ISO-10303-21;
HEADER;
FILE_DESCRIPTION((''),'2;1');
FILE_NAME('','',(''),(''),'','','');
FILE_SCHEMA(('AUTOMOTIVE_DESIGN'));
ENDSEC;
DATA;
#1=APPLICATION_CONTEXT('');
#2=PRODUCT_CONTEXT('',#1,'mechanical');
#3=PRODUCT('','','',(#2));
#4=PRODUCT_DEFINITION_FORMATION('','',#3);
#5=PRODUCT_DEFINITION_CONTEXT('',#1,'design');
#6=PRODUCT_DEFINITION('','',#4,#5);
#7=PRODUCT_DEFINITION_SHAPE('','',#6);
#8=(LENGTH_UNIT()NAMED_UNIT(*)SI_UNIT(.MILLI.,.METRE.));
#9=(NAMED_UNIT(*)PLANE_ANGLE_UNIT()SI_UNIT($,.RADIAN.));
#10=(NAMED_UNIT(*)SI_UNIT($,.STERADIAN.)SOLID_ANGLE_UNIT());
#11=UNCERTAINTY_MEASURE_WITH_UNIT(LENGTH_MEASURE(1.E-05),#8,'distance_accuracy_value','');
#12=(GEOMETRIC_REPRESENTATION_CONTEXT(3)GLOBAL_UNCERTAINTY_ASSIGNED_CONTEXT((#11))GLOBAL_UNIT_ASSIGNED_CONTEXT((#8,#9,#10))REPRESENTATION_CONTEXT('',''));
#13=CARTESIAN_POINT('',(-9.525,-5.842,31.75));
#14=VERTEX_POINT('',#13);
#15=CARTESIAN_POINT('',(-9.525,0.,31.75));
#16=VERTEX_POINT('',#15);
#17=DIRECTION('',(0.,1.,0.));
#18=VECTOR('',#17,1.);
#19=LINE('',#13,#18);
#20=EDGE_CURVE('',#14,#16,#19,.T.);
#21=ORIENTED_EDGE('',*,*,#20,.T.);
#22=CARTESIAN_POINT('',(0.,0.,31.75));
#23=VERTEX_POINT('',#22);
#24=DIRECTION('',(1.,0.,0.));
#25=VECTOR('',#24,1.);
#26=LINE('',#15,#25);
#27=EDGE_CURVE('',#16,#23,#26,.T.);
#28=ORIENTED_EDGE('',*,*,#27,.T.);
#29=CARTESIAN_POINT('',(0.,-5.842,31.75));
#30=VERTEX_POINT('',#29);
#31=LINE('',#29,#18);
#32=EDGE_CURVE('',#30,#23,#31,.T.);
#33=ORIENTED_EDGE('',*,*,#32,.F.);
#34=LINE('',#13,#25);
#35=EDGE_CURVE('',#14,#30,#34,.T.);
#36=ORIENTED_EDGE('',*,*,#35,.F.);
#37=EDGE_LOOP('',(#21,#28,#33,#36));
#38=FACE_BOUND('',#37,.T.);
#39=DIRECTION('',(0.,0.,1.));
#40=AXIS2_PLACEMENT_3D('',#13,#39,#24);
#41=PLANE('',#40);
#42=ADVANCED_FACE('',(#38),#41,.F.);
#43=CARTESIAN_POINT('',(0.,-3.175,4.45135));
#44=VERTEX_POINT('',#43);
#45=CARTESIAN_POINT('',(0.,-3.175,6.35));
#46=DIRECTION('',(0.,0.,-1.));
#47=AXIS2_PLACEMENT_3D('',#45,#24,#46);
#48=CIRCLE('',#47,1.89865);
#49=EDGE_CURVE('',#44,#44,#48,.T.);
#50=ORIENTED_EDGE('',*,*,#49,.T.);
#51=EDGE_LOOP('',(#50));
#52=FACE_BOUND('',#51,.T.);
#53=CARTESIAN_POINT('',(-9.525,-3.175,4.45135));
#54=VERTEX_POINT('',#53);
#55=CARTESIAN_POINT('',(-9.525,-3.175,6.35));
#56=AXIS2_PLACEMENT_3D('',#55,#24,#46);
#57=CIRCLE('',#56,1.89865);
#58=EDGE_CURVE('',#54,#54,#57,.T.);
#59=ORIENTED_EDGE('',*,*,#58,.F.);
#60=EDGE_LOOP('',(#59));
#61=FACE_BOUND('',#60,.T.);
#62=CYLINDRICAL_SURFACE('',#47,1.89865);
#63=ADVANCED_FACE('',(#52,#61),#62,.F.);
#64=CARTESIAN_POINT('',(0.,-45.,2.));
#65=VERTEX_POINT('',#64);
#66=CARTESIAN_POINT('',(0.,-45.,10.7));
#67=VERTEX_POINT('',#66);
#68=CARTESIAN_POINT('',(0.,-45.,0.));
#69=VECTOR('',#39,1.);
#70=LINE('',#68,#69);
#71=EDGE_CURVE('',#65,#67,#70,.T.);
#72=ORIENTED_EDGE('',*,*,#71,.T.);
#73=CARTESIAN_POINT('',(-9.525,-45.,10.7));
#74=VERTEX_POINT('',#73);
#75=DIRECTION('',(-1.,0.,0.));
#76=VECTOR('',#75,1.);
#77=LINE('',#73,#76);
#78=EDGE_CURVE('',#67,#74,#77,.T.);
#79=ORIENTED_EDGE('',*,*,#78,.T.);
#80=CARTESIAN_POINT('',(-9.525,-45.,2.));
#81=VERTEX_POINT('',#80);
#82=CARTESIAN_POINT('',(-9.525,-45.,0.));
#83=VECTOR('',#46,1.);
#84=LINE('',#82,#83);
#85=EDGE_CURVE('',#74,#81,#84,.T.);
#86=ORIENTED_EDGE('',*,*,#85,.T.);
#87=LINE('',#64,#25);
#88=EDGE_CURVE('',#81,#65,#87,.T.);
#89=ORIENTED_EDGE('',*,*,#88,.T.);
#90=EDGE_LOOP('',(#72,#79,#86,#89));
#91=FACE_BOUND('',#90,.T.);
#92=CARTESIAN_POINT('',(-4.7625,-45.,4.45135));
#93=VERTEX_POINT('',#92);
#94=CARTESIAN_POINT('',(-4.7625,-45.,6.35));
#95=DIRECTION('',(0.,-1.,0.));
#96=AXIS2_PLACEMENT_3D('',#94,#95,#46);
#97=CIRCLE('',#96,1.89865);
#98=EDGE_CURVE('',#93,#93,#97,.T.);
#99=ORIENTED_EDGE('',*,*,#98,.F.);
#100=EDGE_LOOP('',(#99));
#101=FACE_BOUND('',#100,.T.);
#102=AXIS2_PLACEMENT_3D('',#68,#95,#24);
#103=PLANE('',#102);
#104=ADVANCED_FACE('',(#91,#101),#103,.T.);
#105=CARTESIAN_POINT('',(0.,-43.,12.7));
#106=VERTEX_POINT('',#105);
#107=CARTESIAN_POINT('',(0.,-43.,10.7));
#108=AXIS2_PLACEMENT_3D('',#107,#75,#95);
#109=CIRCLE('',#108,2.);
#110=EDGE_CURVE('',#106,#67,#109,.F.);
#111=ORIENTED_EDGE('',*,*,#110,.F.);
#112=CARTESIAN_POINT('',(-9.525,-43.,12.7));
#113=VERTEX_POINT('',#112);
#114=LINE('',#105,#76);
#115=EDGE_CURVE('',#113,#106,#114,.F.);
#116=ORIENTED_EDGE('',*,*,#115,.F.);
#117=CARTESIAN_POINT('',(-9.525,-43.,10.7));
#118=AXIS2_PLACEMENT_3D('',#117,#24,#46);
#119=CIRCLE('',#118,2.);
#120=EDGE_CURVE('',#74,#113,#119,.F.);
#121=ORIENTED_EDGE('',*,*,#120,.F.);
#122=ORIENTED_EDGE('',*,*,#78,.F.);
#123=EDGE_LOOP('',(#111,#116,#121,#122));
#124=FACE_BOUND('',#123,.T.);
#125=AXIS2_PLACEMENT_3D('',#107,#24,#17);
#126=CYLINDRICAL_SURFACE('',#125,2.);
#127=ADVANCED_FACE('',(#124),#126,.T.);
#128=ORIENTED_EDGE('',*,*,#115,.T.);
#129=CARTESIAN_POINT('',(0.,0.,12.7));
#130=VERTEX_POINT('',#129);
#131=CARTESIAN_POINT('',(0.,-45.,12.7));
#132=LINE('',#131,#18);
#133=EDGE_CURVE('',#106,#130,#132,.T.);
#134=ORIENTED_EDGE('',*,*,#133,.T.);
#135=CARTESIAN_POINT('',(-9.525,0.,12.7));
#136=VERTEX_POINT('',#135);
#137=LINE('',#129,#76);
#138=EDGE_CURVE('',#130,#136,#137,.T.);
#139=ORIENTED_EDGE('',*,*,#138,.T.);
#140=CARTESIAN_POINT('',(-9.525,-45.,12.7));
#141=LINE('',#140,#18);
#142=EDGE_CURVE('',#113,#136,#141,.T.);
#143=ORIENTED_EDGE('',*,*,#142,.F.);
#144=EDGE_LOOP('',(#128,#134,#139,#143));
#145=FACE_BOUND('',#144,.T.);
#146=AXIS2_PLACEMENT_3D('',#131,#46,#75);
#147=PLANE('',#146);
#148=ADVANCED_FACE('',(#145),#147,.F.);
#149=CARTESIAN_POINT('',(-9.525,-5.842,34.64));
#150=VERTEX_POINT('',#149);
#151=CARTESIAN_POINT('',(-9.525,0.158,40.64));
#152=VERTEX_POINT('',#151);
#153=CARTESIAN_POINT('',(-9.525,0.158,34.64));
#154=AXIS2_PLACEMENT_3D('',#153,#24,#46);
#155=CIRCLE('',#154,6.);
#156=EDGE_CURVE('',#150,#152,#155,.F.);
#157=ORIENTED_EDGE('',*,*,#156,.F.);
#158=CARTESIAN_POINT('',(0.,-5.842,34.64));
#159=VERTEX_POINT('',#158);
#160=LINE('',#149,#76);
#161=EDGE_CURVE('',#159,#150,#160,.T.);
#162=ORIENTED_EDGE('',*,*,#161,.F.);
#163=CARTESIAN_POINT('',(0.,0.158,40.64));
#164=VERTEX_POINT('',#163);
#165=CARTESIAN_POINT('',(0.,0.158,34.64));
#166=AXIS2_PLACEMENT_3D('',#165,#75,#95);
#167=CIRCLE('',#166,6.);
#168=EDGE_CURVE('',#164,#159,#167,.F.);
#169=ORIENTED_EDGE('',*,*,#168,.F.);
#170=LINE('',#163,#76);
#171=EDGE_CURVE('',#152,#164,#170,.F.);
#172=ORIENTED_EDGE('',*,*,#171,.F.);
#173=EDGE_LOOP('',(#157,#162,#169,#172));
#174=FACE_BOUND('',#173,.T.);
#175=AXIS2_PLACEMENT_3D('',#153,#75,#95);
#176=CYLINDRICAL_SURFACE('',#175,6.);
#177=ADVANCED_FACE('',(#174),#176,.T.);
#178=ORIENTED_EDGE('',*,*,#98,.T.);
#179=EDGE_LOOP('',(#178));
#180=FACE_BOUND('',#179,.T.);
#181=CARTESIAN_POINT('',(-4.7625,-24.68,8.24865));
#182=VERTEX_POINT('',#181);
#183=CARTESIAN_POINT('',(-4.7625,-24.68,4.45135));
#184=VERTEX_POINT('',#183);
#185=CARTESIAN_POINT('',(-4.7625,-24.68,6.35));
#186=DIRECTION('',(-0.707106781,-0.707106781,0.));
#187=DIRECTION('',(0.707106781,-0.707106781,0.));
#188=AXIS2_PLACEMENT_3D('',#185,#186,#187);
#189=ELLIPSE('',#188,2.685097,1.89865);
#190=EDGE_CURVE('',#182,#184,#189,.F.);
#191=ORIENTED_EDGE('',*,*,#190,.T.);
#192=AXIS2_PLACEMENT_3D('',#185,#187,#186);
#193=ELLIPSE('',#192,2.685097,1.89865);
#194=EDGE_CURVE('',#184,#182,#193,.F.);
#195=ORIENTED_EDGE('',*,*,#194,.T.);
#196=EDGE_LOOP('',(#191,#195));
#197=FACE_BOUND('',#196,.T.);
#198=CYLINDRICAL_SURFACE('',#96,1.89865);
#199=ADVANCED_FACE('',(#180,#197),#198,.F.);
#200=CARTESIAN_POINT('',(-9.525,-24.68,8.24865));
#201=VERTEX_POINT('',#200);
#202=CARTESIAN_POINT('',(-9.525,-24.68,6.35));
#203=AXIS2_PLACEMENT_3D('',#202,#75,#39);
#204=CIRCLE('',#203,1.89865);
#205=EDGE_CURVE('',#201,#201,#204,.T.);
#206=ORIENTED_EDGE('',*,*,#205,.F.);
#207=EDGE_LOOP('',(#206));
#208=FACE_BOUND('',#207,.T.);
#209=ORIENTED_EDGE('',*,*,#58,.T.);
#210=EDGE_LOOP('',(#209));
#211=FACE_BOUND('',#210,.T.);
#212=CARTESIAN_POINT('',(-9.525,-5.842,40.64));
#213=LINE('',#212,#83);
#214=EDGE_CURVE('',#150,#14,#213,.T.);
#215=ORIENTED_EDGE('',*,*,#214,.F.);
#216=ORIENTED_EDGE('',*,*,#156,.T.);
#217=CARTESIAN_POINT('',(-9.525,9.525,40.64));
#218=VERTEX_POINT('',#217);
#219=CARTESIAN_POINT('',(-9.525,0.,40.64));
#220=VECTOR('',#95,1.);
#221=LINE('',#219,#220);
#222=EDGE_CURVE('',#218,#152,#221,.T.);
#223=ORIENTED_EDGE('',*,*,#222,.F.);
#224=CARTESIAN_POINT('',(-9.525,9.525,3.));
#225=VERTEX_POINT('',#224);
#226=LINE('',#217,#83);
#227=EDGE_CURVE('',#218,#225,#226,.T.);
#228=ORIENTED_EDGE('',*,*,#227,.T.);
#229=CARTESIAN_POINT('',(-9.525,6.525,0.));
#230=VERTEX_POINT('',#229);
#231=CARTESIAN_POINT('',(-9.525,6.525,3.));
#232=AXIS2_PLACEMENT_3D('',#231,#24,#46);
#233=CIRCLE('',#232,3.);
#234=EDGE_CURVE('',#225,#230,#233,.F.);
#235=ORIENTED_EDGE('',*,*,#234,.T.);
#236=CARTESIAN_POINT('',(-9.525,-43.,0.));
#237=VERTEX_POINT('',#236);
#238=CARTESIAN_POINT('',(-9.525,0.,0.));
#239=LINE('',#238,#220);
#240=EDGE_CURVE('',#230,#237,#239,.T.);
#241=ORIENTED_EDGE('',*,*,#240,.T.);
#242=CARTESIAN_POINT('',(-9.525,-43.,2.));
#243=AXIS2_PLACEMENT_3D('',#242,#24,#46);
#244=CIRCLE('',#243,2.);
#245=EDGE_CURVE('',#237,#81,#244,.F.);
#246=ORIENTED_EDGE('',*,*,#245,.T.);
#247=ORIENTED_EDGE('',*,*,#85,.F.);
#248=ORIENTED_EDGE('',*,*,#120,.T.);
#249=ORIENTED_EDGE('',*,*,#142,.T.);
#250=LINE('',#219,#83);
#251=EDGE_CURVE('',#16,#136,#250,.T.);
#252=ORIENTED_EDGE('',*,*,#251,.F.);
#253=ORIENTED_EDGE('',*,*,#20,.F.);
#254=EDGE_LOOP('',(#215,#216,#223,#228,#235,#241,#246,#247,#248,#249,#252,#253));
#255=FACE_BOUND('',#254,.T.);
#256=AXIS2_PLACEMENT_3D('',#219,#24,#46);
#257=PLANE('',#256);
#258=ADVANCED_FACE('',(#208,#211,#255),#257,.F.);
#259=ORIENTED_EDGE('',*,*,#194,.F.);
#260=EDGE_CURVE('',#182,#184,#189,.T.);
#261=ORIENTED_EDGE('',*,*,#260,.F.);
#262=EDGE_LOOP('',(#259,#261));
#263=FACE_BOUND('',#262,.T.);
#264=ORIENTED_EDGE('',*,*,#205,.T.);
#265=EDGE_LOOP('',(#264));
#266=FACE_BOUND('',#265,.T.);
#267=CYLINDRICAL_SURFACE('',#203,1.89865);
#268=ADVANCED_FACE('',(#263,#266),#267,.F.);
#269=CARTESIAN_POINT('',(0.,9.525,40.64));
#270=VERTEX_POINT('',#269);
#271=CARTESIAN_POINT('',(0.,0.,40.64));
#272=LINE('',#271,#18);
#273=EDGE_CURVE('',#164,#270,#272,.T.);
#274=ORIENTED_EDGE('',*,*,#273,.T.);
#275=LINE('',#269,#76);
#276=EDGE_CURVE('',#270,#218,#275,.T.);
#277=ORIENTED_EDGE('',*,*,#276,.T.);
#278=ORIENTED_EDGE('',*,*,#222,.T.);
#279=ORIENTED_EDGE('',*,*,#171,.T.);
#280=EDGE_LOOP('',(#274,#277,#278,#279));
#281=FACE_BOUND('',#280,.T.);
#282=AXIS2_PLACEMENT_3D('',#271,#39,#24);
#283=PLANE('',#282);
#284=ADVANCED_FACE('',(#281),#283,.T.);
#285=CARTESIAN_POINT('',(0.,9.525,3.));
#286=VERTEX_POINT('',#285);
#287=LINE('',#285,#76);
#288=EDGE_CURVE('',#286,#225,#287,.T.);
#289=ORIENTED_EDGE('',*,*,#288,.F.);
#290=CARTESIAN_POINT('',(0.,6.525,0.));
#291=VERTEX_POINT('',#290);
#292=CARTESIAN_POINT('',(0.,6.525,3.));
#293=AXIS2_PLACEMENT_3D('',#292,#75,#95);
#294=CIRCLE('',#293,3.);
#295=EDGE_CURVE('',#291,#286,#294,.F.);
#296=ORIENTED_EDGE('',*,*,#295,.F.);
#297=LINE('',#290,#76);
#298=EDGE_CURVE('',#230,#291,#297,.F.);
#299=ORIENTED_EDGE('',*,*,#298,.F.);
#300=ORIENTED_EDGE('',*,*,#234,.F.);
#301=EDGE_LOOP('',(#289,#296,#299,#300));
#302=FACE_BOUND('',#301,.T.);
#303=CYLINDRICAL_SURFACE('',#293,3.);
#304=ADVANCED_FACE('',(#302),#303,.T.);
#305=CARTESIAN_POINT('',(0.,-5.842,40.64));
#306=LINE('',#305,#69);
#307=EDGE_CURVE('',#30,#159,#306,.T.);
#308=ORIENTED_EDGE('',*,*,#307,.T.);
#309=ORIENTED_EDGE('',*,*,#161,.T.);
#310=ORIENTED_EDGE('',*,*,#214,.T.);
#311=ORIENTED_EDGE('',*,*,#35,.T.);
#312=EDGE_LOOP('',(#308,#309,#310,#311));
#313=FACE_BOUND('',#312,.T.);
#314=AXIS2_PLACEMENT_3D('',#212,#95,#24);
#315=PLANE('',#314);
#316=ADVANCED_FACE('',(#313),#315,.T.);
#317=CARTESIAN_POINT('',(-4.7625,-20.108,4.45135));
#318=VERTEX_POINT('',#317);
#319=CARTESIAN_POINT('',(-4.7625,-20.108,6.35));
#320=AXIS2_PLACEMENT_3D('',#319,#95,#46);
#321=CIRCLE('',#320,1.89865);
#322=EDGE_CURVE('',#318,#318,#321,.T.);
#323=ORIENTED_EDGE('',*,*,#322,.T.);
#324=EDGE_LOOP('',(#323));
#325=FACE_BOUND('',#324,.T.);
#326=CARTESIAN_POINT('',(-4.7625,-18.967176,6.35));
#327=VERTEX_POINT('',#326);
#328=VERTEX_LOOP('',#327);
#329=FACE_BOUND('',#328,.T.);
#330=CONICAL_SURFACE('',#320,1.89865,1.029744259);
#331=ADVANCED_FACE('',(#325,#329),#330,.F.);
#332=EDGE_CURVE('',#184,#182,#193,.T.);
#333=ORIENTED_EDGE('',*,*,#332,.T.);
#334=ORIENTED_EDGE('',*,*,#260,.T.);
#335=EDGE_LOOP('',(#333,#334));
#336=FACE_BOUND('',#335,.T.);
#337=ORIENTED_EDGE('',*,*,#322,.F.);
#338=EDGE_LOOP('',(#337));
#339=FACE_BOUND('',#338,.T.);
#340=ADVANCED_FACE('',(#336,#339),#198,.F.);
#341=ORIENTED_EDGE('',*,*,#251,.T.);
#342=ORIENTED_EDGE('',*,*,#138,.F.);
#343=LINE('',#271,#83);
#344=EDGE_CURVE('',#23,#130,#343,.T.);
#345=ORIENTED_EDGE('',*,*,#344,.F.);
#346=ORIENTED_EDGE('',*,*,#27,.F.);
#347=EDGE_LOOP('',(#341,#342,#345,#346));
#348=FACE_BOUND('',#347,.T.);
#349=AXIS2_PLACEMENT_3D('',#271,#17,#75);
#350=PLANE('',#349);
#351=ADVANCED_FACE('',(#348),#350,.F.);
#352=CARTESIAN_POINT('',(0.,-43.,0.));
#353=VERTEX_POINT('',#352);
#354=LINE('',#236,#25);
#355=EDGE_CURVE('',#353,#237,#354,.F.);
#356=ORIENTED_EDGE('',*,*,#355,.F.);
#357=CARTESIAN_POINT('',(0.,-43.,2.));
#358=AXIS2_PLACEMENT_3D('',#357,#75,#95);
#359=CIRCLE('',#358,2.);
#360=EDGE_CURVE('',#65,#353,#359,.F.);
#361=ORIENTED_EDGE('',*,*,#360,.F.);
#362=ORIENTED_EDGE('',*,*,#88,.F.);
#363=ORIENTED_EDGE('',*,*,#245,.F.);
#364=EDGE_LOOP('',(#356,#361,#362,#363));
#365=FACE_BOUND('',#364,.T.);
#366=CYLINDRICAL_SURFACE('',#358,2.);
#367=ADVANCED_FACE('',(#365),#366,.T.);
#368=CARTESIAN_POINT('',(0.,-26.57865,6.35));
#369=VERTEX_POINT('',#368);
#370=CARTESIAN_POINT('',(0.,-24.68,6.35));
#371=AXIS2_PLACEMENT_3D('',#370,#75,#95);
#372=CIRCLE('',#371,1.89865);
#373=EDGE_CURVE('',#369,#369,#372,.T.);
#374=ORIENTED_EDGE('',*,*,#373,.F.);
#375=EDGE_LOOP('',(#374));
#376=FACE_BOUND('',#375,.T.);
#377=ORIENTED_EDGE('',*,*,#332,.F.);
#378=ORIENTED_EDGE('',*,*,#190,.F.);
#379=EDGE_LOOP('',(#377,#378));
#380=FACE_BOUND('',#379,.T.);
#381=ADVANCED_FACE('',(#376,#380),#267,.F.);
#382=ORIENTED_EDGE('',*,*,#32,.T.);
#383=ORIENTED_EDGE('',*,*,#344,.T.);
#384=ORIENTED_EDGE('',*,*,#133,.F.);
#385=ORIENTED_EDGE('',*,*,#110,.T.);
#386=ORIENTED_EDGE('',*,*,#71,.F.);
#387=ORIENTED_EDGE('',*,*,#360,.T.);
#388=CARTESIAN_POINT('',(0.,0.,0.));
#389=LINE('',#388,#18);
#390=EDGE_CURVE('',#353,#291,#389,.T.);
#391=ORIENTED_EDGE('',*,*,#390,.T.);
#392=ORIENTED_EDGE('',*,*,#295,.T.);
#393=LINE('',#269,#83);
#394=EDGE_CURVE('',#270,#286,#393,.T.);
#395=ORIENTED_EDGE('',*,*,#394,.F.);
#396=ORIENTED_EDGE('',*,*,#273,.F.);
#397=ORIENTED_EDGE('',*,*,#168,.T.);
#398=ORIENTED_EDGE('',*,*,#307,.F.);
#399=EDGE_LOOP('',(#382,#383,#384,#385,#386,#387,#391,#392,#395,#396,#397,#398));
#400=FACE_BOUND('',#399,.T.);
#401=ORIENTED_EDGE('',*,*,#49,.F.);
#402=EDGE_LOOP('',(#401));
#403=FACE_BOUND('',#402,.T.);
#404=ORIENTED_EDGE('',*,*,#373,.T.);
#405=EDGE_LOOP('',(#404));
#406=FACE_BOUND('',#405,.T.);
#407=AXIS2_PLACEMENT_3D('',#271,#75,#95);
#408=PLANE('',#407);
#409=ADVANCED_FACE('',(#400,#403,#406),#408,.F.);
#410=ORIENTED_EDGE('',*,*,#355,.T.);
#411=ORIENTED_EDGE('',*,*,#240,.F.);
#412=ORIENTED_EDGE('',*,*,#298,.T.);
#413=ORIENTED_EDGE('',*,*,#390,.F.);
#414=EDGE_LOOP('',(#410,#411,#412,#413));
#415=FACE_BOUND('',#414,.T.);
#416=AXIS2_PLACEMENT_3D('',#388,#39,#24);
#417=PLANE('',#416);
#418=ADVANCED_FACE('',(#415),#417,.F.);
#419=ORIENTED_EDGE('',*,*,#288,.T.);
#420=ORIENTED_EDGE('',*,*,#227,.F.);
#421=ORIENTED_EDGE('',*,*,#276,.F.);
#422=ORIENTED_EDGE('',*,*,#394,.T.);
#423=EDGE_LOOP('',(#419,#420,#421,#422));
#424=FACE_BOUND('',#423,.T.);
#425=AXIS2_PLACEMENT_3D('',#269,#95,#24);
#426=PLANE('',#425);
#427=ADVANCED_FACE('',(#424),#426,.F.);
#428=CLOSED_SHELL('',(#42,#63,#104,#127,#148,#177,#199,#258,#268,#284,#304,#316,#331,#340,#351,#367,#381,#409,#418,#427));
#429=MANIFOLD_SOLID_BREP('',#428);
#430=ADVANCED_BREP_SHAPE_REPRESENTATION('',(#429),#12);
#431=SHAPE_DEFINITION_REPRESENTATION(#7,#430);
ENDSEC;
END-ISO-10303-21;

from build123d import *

# Parameters (mm, degrees)
SKETCH1_W                 = 9.525
SKETCH1_H                 = 9.525
EXTRUDE1_DEPTH            = 40.64
SKETCH3_W                 = 9.525
SKETCH3_H                 = 8.89
EXTRUDE2_DEPTH            = 5.842
FILLET1_R                 = 6
SKETCH4_W                 = 9.525
SKETCH4_H                 = 12.7
EXTRUDE3_DEPTH            = 45
FILLET2_R                 = 3
F_6_CLEARANCE_HOLE1_D     = 3.7973
F_6_CLEARANCE_HOLE1_DEPTH = 9.906
F_6_CLEARANCE_HOLE1_TIP   = 1.140824014
F_6_CLEARANCE_HOLE3_D     = 3.7973
F_6_CLEARANCE_HOLE3_DEPTH = 24.892
F_6_CLEARANCE_HOLE3_TIP   = 1.140824014
F_6_CLEARANCE_HOLE4_D     = 3.7973
F_6_CLEARANCE_HOLE4_DEPTH = 29.972
F_6_CLEARANCE_HOLE4_TIP   = 1.140824014
FILLET3_R                 = 2


with BuildPart() as part:
    # Sketch1 → Extrude1 (new body)
    with BuildSketch(Plane.XY):
        with Locations((-4.7625, 4.7625)):
            Rectangle(SKETCH1_W, SKETCH1_H)
    extrude(amount=EXTRUDE1_DEPTH)

    # Sketch3 → Extrude2 (add)
    with BuildSketch(Plane.XZ):
        with Locations((-4.7625, 36.195)):
            Rectangle(SKETCH3_W, SKETCH3_H)
    extrude(amount=EXTRUDE2_DEPTH)

    # Fillet1
    fillet1_edges = [part.edges().sort_by_distance(p)[0] for p in [
        (-4.7625, -5.842, 40.64),
    ]]
    fillet(fillet1_edges, radius=FILLET1_R)

    # Sketch4 → Extrude3 (add)
    with BuildSketch(Plane.XZ):
        with Locations((-4.7625, 6.35)):
            Rectangle(SKETCH4_W, SKETCH4_H)
    extrude(amount=EXTRUDE3_DEPTH)

    # Fillet2
    fillet2_edges = [part.edges().sort_by_distance(p)[0] for p in [
        (-4.7625, 9.525, 0),
    ]]
    fillet(fillet2_edges, radius=FILLET2_R)

    # #6 Clearance Hole1
    with Locations(Plane(origin=(0, -3.175, 6.35), x_dir=(0, 0, 1), z_dir=(1, 0, 0))):
        with Locations((0, 0)):
            Hole(F_6_CLEARANCE_HOLE1_D / 2, depth=F_6_CLEARANCE_HOLE1_DEPTH)
            with Locations((0, 0, -(F_6_CLEARANCE_HOLE1_DEPTH + F_6_CLEARANCE_HOLE1_TIP / 2))):  # 118° drill point
                Cone(0, F_6_CLEARANCE_HOLE1_D / 2, F_6_CLEARANCE_HOLE1_TIP, mode=Mode.SUBTRACT)

    # #6 Clearance Hole3
    with Locations(Plane(origin=(-4.7625, -45, 6.35), x_dir=(-1, 0, 0), z_dir=(0, -1, 0))):
        with Locations((0, 0)):
            Hole(F_6_CLEARANCE_HOLE3_D / 2, depth=F_6_CLEARANCE_HOLE3_DEPTH)
            with Locations((0, 0, -(F_6_CLEARANCE_HOLE3_DEPTH + F_6_CLEARANCE_HOLE3_TIP / 2))):  # 118° drill point
                Cone(0, F_6_CLEARANCE_HOLE3_D / 2, F_6_CLEARANCE_HOLE3_TIP, mode=Mode.SUBTRACT)

    # #6 Clearance Hole4
    with Locations(Plane(origin=(-9.525, -24.68, 6.35), x_dir=(0, 0, -1), z_dir=(-1, 0, 0))):
        with Locations((0, 0)):
            Hole(F_6_CLEARANCE_HOLE4_D / 2, depth=F_6_CLEARANCE_HOLE4_DEPTH)
            with Locations((0, 0, -(F_6_CLEARANCE_HOLE4_DEPTH + F_6_CLEARANCE_HOLE4_TIP / 2))):  # 118° drill point
                Cone(0, F_6_CLEARANCE_HOLE4_D / 2, F_6_CLEARANCE_HOLE4_TIP, mode=Mode.SUBTRACT)

    # Fillet3
    fillet3_edges = [part.edges().sort_by_distance(p)[0] for p in [
        (-4.7625, -45, 12.7),
        (-4.7625, -45, 0),
    ]]
    fillet(fillet3_edges, radius=FILLET3_R)


solid = part.part
